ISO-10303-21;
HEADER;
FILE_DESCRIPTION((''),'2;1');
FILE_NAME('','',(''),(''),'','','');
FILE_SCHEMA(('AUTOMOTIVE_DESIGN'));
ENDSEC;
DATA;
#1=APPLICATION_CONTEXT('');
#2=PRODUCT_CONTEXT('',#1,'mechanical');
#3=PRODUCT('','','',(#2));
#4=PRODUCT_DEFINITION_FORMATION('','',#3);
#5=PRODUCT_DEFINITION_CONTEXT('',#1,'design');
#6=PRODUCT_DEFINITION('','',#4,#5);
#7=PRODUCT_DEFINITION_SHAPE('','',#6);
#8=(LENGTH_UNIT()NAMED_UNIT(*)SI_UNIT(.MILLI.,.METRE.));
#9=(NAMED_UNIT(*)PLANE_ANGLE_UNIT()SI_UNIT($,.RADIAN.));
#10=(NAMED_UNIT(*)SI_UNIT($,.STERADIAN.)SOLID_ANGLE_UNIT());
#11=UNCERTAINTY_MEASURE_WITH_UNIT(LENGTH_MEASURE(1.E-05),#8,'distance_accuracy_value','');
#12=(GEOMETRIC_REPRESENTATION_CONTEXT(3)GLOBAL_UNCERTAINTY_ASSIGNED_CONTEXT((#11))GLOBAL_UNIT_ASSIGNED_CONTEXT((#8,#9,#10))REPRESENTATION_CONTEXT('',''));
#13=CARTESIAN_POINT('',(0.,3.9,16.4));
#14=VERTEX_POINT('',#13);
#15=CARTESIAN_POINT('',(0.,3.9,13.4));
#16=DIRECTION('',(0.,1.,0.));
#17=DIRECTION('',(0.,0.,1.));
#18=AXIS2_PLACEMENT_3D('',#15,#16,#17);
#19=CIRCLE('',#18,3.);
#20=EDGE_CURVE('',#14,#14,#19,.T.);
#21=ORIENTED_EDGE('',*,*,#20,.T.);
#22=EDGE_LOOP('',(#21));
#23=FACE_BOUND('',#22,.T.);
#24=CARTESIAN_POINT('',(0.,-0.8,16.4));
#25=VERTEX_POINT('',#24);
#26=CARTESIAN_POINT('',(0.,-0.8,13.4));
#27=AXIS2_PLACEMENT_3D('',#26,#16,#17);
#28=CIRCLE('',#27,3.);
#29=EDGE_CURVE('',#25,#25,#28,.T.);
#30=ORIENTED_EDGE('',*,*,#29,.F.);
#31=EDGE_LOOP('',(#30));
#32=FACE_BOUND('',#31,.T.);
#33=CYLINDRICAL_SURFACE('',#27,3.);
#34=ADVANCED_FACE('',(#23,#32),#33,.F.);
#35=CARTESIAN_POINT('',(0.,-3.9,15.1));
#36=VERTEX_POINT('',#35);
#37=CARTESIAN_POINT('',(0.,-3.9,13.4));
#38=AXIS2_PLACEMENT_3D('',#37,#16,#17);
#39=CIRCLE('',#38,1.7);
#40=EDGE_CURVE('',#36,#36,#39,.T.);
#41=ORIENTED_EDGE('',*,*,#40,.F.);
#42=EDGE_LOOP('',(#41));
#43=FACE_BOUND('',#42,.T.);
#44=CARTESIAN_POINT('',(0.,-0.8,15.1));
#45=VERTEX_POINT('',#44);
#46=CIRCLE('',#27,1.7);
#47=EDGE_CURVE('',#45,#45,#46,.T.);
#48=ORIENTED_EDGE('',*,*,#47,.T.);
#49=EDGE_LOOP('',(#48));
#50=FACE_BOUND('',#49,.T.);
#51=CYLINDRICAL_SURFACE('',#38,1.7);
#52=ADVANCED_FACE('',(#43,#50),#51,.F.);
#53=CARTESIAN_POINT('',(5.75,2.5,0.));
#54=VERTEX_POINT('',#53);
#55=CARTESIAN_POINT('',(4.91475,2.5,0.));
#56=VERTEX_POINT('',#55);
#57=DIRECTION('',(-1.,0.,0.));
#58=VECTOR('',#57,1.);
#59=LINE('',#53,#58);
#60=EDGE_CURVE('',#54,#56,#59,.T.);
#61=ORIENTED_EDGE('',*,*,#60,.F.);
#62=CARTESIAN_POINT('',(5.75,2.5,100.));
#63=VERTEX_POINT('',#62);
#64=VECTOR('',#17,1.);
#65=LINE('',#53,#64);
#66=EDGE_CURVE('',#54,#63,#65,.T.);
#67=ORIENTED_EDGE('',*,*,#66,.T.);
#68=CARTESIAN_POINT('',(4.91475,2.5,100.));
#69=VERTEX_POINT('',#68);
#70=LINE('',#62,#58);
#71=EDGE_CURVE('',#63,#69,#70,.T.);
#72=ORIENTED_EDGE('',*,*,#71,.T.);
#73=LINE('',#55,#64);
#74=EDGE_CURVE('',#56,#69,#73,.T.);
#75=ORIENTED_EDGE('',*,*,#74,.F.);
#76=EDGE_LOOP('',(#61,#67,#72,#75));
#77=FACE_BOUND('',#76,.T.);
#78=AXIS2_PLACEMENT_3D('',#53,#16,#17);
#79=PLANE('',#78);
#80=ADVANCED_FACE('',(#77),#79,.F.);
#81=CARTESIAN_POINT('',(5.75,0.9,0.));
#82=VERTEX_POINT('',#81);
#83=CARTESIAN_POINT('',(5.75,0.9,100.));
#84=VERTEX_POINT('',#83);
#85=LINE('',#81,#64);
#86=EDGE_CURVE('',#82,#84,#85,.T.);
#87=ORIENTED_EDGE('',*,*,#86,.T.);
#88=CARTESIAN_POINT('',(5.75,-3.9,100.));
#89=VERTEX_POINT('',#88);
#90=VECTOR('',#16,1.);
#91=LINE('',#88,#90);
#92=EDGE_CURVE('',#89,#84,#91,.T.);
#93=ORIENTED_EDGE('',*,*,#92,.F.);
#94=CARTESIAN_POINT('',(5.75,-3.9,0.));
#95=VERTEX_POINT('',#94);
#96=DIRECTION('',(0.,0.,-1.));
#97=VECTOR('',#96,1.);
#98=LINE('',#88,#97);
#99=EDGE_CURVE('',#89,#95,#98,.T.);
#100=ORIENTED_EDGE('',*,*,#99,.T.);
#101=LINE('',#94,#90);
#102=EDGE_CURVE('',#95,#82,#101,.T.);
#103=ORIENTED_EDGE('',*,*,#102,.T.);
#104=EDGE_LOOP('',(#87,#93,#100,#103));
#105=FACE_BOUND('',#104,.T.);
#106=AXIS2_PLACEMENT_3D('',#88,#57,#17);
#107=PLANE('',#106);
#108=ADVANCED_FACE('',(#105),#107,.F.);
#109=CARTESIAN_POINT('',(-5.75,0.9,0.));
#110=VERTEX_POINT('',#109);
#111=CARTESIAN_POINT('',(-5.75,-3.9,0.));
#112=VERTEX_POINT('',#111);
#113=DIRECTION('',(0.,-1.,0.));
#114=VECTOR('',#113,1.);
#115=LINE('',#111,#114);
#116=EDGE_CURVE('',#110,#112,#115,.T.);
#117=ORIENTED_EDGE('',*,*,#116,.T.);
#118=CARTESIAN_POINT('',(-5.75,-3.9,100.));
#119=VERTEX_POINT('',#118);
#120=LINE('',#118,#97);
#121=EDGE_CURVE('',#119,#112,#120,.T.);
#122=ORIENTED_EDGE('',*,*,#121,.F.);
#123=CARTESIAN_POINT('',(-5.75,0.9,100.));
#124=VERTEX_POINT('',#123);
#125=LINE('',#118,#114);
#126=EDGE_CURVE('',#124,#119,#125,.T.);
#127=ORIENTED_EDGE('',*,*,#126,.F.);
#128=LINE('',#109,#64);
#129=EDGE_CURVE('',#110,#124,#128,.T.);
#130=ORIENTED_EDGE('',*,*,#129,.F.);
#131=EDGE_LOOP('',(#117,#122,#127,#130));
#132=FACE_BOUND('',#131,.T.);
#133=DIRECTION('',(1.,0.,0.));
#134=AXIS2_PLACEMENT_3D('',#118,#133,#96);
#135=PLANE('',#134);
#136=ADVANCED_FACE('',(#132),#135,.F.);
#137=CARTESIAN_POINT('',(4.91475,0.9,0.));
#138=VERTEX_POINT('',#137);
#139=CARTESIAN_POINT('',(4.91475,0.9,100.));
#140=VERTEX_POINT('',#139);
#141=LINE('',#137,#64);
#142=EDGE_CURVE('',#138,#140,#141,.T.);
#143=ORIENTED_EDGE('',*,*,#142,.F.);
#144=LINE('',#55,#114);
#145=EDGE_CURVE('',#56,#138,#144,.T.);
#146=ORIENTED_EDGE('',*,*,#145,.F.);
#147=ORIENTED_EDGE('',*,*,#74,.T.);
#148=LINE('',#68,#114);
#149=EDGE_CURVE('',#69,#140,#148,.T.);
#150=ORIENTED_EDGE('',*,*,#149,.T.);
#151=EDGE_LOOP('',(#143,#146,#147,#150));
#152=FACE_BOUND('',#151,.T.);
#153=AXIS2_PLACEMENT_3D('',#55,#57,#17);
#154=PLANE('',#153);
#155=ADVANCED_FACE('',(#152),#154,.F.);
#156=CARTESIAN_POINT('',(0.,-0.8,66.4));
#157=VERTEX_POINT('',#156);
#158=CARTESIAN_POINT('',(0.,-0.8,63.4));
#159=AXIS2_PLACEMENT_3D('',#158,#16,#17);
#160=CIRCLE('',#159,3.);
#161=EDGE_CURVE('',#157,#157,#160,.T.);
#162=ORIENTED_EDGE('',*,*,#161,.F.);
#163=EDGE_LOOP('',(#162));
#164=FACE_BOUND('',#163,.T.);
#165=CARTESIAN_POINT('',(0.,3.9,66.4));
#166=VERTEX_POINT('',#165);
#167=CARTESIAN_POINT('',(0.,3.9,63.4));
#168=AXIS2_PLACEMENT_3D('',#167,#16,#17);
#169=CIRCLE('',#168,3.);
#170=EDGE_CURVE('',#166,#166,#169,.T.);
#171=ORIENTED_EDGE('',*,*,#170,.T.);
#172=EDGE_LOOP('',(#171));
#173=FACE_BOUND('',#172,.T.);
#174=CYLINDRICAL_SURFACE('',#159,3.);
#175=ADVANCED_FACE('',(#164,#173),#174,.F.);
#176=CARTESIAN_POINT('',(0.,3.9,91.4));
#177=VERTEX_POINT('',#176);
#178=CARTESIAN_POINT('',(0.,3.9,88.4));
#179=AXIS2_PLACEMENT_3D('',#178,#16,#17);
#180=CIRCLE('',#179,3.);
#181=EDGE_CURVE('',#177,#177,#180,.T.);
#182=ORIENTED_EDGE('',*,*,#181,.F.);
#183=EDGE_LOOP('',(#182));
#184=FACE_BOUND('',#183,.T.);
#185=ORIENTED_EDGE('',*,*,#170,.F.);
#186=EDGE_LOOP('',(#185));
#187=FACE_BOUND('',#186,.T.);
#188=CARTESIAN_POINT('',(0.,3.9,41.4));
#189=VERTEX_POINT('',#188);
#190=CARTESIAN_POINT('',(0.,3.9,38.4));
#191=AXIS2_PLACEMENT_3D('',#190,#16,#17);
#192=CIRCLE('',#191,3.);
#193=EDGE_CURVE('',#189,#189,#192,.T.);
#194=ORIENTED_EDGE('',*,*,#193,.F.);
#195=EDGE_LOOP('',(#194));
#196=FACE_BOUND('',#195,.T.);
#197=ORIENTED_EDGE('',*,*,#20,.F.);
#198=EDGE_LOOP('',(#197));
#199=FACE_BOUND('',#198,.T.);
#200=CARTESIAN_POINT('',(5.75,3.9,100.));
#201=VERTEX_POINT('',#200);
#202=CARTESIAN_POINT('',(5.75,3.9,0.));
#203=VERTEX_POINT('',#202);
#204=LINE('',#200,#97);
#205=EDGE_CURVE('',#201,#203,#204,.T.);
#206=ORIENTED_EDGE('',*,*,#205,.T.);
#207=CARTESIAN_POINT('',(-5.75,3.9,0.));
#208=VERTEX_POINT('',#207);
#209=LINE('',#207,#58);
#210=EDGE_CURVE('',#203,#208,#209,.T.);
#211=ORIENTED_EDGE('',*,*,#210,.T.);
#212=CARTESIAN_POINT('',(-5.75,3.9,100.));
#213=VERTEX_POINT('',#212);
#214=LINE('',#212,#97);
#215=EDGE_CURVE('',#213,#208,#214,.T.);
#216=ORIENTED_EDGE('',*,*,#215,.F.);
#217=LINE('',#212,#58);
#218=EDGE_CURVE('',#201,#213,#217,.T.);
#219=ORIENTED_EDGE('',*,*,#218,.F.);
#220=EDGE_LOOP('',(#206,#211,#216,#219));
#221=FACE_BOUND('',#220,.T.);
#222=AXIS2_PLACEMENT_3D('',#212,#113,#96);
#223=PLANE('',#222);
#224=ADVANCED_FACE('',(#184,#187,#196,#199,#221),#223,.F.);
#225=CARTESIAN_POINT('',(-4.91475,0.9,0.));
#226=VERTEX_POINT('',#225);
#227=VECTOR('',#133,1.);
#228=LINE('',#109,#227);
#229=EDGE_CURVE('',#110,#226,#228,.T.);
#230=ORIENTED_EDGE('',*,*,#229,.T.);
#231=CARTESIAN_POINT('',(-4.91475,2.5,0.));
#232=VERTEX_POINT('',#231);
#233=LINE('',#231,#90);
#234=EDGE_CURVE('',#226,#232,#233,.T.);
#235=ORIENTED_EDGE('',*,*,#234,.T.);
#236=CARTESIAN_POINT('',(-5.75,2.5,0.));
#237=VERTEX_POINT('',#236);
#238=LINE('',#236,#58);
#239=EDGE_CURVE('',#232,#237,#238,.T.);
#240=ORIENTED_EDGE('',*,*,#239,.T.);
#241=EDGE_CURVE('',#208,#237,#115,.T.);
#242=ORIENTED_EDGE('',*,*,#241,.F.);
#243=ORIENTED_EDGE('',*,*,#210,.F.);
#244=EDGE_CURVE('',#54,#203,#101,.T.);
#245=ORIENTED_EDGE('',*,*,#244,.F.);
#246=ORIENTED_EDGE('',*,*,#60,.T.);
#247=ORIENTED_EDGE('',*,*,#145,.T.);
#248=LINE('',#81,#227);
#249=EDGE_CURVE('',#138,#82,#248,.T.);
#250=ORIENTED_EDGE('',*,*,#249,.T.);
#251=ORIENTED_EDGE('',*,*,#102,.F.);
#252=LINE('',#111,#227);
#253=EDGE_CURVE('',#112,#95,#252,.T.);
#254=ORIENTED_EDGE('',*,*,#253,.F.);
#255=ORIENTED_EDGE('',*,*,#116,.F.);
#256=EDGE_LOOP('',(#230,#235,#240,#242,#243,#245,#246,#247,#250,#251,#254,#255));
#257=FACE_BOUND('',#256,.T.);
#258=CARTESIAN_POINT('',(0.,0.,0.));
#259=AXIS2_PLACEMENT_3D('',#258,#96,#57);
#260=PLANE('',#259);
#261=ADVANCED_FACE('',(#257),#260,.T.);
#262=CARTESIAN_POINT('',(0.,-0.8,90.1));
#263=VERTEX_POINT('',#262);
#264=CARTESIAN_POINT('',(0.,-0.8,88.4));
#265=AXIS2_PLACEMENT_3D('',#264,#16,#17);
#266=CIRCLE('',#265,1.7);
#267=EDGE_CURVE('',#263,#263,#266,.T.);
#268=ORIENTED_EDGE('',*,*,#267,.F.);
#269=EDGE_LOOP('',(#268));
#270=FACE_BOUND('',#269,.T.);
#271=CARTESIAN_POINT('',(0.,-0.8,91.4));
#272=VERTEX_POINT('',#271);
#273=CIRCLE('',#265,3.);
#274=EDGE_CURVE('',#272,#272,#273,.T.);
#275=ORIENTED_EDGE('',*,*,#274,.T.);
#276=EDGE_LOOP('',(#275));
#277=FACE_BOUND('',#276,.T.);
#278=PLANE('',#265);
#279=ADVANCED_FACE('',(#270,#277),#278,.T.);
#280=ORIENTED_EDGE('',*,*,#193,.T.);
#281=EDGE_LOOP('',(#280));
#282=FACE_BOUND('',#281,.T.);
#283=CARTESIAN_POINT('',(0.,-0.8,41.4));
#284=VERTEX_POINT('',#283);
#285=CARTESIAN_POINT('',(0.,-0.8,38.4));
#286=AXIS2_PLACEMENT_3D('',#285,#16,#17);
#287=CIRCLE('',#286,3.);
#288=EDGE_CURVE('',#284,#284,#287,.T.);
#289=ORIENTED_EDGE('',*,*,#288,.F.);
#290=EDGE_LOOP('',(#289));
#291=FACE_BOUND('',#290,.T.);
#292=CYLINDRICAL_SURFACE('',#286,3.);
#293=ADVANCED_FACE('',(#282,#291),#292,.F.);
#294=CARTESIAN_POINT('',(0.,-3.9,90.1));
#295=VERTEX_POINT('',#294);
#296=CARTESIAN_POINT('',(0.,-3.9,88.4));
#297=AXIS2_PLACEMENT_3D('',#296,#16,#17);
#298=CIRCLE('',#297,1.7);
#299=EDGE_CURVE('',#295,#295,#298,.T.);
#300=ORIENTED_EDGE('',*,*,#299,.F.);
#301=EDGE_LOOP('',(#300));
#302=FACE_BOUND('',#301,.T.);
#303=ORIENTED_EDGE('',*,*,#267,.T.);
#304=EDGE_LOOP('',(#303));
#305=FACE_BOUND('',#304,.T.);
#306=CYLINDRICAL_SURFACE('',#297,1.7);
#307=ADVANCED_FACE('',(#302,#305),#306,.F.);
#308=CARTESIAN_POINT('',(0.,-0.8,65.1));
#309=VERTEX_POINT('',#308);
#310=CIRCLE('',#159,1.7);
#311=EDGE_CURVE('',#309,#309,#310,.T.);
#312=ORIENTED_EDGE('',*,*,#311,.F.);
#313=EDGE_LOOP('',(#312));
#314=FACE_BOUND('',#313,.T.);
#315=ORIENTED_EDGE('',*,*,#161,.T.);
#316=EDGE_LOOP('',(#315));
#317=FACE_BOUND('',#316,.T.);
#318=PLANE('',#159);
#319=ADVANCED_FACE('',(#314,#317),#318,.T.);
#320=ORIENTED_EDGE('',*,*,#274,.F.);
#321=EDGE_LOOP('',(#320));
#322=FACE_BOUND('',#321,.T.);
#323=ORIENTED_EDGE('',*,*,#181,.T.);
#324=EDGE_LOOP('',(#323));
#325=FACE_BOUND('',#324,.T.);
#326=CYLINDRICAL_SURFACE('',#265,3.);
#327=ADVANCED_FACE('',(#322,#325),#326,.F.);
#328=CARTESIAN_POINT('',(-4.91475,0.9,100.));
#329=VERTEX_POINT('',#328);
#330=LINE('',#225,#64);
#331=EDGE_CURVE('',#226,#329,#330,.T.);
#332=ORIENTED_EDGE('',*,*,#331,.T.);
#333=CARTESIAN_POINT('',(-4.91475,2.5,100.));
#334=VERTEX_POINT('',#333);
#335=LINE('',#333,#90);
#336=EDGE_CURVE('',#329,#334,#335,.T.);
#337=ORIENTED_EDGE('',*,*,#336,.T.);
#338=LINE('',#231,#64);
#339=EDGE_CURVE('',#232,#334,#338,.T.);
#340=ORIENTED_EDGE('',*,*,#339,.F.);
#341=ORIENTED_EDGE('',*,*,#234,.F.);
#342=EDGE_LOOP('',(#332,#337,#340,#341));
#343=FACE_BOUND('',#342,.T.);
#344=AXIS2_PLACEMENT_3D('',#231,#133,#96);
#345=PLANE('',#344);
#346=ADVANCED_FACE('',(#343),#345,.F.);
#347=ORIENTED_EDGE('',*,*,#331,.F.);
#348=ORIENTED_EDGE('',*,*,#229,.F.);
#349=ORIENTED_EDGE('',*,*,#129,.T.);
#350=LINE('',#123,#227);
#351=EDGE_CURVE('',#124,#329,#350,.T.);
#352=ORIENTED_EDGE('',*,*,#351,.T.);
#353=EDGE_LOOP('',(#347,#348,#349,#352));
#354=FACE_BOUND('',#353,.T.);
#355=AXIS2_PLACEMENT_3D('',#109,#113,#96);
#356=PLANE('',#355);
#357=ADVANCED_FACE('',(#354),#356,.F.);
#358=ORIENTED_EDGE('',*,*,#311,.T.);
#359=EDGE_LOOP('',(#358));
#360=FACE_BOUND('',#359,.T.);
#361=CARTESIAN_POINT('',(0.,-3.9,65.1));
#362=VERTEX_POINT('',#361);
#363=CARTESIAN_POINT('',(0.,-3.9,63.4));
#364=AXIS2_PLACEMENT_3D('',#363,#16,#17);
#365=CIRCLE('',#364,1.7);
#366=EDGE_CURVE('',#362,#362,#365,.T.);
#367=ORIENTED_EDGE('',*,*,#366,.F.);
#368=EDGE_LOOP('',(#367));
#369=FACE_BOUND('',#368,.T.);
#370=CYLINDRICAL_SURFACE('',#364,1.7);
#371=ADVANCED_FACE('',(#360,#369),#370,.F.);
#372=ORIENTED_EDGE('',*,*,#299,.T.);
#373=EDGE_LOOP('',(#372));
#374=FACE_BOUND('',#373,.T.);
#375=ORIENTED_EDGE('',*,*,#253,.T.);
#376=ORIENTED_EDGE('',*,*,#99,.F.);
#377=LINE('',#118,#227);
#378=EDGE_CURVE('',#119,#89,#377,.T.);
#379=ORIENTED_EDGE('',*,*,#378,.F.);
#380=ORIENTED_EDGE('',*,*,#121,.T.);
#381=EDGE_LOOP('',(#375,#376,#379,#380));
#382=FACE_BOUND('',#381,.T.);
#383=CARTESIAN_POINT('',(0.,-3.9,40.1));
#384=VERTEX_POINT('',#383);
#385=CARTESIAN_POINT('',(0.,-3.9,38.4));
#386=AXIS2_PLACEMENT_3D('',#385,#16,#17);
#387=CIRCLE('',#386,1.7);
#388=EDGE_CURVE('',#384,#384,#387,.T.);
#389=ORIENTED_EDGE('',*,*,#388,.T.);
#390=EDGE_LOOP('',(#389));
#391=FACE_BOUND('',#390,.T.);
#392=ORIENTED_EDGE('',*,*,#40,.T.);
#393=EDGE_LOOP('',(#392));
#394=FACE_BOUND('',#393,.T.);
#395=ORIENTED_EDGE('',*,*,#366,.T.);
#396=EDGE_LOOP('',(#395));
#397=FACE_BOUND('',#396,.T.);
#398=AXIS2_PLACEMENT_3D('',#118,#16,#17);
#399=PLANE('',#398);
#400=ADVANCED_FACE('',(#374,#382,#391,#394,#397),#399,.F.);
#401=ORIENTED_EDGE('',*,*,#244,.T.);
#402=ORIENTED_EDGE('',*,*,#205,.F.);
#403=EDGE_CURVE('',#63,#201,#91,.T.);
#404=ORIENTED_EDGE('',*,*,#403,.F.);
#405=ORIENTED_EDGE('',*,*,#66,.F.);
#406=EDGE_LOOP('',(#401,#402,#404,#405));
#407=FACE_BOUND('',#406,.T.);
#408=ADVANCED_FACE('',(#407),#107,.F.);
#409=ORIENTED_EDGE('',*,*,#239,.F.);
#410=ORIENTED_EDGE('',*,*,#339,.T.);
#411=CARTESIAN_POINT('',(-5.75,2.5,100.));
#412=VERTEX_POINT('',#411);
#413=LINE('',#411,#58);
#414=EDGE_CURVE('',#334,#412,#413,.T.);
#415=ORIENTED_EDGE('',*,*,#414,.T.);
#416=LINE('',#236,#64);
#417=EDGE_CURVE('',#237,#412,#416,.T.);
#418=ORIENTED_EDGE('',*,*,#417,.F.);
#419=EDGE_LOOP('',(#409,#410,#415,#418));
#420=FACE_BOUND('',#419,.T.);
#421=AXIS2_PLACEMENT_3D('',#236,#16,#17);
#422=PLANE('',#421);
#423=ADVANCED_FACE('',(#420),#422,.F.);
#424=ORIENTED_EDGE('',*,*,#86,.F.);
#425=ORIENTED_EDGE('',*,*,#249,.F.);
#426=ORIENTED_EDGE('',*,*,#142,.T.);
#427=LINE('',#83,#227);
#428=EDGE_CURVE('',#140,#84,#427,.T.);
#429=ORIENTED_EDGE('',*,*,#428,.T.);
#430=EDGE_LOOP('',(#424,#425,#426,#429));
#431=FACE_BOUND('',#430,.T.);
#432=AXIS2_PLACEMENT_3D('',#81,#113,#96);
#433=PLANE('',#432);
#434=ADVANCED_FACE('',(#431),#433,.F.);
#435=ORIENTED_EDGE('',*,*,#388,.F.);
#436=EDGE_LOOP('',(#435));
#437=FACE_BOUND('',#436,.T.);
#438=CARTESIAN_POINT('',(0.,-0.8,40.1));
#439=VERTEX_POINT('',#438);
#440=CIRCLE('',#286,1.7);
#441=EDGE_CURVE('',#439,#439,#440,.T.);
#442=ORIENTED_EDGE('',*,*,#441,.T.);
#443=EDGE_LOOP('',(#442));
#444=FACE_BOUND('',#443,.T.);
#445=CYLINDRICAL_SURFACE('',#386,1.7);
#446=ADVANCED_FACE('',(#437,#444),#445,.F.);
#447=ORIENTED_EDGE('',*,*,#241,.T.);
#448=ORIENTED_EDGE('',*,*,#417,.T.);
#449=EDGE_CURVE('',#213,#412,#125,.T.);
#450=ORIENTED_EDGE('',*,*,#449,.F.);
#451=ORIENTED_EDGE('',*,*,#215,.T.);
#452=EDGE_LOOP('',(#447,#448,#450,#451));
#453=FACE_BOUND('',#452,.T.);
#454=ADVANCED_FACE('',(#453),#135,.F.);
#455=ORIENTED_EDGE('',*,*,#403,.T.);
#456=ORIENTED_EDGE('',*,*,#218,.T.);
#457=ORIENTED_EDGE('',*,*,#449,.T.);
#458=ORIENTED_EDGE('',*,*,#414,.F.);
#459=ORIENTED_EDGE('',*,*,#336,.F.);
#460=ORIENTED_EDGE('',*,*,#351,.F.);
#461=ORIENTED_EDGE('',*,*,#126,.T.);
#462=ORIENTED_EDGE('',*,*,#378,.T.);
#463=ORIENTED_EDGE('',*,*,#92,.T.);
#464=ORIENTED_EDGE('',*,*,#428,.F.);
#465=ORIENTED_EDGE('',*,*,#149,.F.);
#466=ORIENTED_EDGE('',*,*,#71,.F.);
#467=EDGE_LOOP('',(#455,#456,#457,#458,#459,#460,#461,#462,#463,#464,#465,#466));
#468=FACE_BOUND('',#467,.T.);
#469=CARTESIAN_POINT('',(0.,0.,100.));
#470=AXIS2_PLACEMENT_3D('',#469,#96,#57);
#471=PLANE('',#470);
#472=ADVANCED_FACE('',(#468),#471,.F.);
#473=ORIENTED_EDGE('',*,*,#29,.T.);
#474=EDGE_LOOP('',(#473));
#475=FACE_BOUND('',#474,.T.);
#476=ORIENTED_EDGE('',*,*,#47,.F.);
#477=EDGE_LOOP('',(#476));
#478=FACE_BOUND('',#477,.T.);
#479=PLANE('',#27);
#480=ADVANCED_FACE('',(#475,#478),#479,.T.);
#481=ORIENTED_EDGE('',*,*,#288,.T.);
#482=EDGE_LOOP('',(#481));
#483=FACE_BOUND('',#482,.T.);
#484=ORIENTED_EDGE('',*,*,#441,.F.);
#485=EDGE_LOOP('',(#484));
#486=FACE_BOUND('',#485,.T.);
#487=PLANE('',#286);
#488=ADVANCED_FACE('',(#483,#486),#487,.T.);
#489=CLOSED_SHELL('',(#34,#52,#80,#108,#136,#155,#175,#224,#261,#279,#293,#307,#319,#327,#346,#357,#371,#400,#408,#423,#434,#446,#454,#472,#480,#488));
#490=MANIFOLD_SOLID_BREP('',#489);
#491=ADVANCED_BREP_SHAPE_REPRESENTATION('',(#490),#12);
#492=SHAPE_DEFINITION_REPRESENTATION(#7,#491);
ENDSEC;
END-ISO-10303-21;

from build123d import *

# Parameters (mm, degrees)
SKETCH1_W           = 11.5
SKETCH1_H           = 7.8
BOSS_EXTRUDE1_DEPTH = 100
SKETCH2_W           = 0.835250229
SKETCH2_H           = 1.6
CUT_EXTRUDE1_DEPTH  = 101.241071922
SKETCH3_R           = 3
CUT_EXTRUDE2_DEPTH  = 4.7
SKETCH4_R           = 1.7
CUT_EXTRUDE3_DEPTH  = 101.27538332


with BuildPart() as part:
    # Sketch1 → Boss-Extrude1 (new body)
    with BuildSketch(Plane.XY):
        Rectangle(SKETCH1_W, SKETCH1_H)
    extrude(amount=BOSS_EXTRUDE1_DEPTH)

    # Sketch2 → Cut-Extrude1 (cut, through all)
    with BuildSketch(Plane.XY.offset(100)):
        with Locations((5.332374886, 1.7)):
            Rectangle(SKETCH2_W, SKETCH2_H)
        with Locations((-5.332374886, 1.7)):
            Rectangle(SKETCH2_W, SKETCH2_H)
    extrude(amount=-CUT_EXTRUDE1_DEPTH, mode=Mode.SUBTRACT)

    # Sketch3 → Cut-Extrude2 (cut)
    with BuildSketch(Plane(origin=(0, 3.9, 0), x_dir=(1, 0, 0), z_dir=(0, 1, 0))):
        with Locations(Location((0, -88.4, 0), (0, 0, 270))):
            Circle(SKETCH3_R)
        with Locations(Location((0, -63.4, 0), (0, 0, 270))):
            Circle(SKETCH3_R)
        with Locations(Location((0, -38.4, 0), (0, 0, 270))):
            Circle(SKETCH3_R)
        with Locations(Location((0, -13.4, 0), (0, 0, 270))):
            Circle(SKETCH3_R)
        with Locations((0, 11.6)):
            Circle(SKETCH3_R)
        with Locations((0, 36.6)):
            Circle(SKETCH3_R)
        with Locations((0, 61.6)):
            Circle(SKETCH3_R)
        with Locations((0, 86.6)):
            Circle(SKETCH3_R)
        with Locations((0, 111.6)):
            Circle(SKETCH3_R)
        with Locations((0, 136.6)):
            Circle(SKETCH3_R)
        with Locations((0, 161.6)):
            Circle(SKETCH3_R)
        with Locations((0, 186.6)):
            Circle(SKETCH3_R)
        with Locations((0, 211.6)):
            Circle(SKETCH3_R)
        with Locations((0, 236.6)):
            Circle(SKETCH3_R)
        with Locations((0, 261.6)):
            Circle(SKETCH3_R)
        with Locations((0, 286.6)):
            Circle(SKETCH3_R)
        with Locations((0, 311.6)):
            Circle(SKETCH3_R)
        with Locations((0, 336.6)):
            Circle(SKETCH3_R)
        with Locations((0, 361.6)):
            Circle(SKETCH3_R)
        with Locations((0, 386.6)):
            Circle(SKETCH3_R)
        with Locations((0, 411.6)):
            Circle(SKETCH3_R)
        with Locations((0, 436.6)):
            Circle(SKETCH3_R)
        with Locations((0, 461.6)):
            Circle(SKETCH3_R)
        with Locations((0, 486.6)):
            Circle(SKETCH3_R)
        with Locations((0, 511.6)):
            Circle(SKETCH3_R)
    extrude(amount=-CUT_EXTRUDE2_DEPTH, mode=Mode.SUBTRACT)

    # Sketch4 → Cut-Extrude3 (cut, through all)
    with BuildSketch(Plane(origin=(0, -0.8, 0), x_dir=(1, 0, 0), z_dir=(0, 1, 0))):
        with Locations(Location((0, -88.4, 0), (0, 0, 270))):
            Circle(SKETCH4_R)
        with Locations(Location((0, -63.4, 0), (0, 0, 270))):
            Circle(SKETCH4_R)
        with Locations(Location((0, -38.4, 0), (0, 0, 270))):
            Circle(SKETCH4_R)
        with Locations(Location((0, -13.4, 0), (0, 0, 270))):
            Circle(SKETCH4_R)
        with Locations((0, 11.6)):
            Circle(SKETCH4_R)
        with Locations((0, 36.6)):
            Circle(SKETCH4_R)
        with Locations((0, 61.6)):
            Circle(SKETCH4_R)
        with Locations((0, 86.6)):
            Circle(SKETCH4_R)
        with Locations((0, 111.6)):
            Circle(SKETCH4_R)
        with Locations((0, 136.6)):
            Circle(SKETCH4_R)
        with Locations((0, 161.6)):
            Circle(SKETCH4_R)
        with Locations((0, 186.6)):
            Circle(SKETCH4_R)
        with Locations((0, 211.6)):
            Circle(SKETCH4_R)
        with Locations((0, 236.6)):
            Circle(SKETCH4_R)
        with Locations((0, 261.6)):
            Circle(SKETCH4_R)
        with Locations((0, 286.6)):
            Circle(SKETCH4_R)
        with Locations((0, 311.6)):
            Circle(SKETCH4_R)
        with Locations((0, 336.6)):
            Circle(SKETCH4_R)
        with Locations((0, 361.6)):
            Circle(SKETCH4_R)
        with Locations((0, 386.6)):
            Circle(SKETCH4_R)
        with Locations((0, 411.6)):
            Circle(SKETCH4_R)
        with Locations((0, 436.6)):
            Circle(SKETCH4_R)
        with Locations((0, 461.6)):
            Circle(SKETCH4_R)
        with Locations((0, 486.6)):
            Circle(SKETCH4_R)
        with Locations((0, 511.6)):
            Circle(SKETCH4_R)
    extrude(amount=-CUT_EXTRUDE3_DEPTH, mode=Mode.SUBTRACT)


solid = part.part
